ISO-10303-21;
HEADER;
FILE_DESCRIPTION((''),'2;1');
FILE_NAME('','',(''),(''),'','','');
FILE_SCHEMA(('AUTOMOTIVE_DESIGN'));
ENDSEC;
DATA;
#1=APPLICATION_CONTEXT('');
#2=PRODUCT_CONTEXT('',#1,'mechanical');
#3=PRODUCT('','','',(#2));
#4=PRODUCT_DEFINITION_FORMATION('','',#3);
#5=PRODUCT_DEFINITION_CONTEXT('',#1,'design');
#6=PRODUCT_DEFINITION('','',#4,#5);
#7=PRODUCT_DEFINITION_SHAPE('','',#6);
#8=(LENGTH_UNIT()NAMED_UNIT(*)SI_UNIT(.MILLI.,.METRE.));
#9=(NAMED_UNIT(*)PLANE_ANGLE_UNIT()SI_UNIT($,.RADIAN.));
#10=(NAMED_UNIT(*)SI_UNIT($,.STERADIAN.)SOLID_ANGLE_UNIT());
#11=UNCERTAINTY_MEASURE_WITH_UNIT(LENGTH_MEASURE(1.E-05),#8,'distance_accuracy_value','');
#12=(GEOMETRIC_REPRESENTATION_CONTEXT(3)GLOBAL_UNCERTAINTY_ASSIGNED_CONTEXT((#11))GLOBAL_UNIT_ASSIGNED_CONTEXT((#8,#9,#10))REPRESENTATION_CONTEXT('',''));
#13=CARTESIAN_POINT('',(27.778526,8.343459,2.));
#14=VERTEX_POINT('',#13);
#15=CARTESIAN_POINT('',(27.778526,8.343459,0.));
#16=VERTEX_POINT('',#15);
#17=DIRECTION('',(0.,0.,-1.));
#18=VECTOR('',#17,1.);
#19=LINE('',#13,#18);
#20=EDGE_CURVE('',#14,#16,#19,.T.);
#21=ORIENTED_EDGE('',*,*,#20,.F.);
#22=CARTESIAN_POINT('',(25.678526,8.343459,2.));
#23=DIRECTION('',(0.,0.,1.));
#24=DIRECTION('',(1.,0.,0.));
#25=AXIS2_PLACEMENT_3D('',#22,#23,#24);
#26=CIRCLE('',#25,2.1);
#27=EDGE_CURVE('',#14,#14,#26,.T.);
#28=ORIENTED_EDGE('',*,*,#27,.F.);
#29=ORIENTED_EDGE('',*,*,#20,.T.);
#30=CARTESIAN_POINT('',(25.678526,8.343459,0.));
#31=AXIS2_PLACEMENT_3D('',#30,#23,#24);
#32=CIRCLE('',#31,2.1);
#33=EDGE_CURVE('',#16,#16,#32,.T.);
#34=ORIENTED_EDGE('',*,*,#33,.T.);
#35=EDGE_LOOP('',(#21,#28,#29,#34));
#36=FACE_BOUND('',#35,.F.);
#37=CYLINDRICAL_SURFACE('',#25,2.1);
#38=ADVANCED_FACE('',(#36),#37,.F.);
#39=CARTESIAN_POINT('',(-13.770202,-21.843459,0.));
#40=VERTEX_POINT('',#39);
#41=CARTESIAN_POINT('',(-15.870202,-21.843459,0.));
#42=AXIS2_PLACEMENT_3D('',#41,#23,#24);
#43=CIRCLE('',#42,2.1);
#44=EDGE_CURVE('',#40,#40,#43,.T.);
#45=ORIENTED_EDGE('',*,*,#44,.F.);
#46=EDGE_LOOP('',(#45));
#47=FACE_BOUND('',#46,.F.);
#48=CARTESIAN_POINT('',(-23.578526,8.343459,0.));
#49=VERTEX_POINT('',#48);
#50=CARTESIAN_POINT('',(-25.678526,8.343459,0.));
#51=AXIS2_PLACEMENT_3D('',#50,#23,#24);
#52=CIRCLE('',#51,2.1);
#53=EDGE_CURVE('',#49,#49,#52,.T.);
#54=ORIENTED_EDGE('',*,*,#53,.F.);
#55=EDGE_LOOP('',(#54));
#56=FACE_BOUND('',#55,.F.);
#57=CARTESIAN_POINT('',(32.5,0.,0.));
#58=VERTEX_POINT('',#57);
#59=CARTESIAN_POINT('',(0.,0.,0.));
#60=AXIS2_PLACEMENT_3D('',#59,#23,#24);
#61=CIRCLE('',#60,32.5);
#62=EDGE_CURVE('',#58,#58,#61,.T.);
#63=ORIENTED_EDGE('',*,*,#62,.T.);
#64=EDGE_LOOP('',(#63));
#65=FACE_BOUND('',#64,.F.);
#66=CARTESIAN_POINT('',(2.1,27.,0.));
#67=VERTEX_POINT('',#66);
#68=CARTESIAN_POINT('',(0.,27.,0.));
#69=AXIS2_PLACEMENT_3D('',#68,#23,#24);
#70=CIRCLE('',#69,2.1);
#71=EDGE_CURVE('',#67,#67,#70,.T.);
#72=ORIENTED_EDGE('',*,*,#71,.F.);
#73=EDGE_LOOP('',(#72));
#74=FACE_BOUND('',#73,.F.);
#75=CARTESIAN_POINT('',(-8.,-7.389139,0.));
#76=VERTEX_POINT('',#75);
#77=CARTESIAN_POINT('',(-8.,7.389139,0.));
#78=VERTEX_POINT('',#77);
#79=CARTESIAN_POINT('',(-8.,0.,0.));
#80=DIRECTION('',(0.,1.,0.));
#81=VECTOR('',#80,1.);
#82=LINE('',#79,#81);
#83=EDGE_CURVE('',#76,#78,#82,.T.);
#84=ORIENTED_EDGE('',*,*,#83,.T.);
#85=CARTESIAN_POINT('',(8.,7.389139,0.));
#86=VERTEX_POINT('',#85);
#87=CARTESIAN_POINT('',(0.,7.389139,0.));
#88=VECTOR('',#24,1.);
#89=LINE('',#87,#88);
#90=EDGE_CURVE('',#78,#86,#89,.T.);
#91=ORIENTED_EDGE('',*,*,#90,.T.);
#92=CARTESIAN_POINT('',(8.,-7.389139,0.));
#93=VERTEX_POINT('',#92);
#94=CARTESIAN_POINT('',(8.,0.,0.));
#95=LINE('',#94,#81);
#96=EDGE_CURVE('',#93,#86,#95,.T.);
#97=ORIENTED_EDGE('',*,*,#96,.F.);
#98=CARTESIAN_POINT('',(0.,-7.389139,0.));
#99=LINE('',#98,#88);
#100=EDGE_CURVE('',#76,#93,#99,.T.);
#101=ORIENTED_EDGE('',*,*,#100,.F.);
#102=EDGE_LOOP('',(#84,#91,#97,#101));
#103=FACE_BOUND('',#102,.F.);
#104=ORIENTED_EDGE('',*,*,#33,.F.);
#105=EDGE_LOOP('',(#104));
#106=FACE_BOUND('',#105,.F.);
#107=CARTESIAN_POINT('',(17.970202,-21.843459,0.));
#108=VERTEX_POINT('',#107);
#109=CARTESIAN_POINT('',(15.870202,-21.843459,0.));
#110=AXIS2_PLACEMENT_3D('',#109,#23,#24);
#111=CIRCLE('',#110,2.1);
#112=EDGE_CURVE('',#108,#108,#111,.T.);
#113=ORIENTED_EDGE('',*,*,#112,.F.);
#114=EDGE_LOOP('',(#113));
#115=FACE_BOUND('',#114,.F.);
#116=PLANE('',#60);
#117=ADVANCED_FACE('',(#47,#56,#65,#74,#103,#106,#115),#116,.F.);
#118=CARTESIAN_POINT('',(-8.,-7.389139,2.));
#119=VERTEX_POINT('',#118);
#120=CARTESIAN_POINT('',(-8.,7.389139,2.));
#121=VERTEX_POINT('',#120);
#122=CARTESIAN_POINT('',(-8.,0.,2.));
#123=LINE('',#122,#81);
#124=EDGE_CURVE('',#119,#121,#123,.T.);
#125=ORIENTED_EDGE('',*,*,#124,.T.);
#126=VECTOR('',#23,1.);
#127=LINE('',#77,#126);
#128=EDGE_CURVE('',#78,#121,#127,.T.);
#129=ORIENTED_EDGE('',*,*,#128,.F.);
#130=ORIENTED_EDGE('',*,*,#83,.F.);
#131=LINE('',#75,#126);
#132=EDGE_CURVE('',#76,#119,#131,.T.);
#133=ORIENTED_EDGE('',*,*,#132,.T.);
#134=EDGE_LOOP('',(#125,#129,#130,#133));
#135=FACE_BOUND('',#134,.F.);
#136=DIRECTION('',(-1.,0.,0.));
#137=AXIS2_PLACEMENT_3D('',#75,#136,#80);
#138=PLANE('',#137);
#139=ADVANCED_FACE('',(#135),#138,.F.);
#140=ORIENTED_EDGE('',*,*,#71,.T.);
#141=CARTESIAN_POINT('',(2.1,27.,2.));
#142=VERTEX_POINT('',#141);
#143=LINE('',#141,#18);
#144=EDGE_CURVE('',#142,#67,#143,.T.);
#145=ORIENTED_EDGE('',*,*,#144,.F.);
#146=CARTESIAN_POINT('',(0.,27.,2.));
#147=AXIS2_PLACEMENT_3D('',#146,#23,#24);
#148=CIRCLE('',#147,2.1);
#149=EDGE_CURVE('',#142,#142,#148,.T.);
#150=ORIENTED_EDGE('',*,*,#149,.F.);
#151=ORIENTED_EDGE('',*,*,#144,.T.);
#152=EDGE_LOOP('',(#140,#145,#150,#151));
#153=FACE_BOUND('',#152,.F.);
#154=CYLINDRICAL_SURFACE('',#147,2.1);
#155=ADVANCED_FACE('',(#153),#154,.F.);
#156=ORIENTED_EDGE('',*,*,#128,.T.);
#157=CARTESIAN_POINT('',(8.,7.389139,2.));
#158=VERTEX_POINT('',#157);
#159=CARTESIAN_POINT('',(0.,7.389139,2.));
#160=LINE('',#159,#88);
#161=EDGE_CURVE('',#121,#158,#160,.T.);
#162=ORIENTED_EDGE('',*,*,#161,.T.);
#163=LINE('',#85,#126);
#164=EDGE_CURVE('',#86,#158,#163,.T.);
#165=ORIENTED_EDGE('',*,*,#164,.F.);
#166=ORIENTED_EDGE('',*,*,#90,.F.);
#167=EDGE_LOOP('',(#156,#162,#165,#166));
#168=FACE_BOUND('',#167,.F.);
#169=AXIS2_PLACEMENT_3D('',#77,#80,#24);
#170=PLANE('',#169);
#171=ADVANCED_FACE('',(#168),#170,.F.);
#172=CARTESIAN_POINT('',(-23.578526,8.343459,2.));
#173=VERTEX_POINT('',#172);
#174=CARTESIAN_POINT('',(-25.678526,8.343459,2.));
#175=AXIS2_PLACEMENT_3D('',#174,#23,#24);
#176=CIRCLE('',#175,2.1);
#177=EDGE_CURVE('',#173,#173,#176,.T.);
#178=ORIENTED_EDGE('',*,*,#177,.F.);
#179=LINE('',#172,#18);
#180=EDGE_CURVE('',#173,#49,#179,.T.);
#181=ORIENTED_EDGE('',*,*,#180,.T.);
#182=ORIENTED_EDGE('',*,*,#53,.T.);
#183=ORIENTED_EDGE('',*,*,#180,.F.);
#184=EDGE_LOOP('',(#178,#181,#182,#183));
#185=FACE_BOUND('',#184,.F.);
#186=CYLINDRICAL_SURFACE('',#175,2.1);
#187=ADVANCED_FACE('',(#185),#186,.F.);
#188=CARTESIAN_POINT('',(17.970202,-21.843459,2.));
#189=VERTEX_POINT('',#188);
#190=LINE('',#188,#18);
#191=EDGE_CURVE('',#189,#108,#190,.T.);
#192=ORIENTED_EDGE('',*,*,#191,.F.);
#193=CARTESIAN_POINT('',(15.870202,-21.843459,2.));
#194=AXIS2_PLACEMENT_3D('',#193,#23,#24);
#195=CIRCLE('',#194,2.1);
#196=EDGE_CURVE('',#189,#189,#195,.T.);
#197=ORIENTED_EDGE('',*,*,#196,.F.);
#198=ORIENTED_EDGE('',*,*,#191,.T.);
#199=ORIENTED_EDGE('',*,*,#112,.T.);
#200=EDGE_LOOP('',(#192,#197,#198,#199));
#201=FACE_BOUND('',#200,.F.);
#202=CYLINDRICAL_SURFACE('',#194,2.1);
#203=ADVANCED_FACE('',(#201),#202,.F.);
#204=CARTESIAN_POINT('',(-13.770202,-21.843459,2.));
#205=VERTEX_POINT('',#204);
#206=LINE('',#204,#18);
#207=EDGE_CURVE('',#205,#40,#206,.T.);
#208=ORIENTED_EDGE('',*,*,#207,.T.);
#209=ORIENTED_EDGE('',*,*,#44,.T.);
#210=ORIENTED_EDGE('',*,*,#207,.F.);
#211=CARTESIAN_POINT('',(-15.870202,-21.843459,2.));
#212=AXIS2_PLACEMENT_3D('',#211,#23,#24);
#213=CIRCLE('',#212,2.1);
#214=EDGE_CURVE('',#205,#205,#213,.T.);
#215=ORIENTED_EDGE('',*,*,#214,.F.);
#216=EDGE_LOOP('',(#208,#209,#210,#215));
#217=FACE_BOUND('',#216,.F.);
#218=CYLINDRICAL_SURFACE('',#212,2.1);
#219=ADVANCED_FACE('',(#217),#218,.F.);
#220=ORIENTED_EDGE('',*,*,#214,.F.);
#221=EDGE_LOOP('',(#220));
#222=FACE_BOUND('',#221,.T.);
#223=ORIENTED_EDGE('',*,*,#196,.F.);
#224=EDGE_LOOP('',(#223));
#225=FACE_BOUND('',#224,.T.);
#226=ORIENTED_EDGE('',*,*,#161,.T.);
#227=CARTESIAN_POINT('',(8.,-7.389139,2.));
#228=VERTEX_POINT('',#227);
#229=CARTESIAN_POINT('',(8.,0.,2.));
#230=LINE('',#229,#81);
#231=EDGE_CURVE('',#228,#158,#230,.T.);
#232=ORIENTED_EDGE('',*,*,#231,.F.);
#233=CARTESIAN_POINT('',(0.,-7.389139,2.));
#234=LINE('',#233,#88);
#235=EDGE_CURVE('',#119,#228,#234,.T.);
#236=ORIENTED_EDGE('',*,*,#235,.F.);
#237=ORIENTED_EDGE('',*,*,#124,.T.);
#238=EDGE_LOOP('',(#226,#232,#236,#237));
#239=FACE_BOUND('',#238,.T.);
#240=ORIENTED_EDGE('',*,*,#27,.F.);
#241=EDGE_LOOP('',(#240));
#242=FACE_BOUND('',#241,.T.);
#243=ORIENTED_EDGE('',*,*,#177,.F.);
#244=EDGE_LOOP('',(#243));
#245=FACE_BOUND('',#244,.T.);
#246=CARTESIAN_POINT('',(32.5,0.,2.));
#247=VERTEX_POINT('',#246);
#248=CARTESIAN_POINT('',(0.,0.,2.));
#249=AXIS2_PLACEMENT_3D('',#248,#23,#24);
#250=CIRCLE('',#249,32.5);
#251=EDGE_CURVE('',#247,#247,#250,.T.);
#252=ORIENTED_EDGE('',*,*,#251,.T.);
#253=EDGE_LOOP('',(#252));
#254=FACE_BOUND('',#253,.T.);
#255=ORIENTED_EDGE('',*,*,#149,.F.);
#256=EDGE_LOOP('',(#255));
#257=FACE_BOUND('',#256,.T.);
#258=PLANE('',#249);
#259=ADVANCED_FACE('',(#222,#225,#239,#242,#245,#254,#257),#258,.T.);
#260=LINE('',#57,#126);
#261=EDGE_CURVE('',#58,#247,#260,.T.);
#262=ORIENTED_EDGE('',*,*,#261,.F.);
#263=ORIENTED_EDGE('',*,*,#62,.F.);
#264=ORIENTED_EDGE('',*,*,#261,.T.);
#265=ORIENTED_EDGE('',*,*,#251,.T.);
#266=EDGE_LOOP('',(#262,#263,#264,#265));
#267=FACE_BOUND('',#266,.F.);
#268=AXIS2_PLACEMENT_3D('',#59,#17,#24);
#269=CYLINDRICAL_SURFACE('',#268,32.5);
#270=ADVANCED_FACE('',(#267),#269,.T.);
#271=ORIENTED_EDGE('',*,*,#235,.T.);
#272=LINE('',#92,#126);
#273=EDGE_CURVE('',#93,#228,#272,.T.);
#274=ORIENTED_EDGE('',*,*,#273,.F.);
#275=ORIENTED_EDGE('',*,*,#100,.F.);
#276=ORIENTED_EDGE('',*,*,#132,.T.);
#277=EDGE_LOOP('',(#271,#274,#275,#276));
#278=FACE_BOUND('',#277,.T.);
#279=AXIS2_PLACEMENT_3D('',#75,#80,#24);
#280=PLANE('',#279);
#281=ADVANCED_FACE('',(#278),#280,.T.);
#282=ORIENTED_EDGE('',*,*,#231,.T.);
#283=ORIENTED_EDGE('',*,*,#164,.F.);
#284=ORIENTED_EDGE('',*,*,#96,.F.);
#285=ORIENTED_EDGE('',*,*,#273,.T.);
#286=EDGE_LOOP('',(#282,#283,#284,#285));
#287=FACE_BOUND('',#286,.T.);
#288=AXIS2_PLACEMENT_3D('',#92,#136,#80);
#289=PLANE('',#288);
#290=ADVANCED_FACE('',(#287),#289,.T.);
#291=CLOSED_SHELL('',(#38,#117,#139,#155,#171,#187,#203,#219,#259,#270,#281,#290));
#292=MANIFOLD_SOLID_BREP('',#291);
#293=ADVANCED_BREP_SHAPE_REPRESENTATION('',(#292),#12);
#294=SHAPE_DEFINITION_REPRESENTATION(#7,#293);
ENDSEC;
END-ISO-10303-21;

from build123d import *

# Parameters (mm, degrees)
F0_R     = 32.5
F0_W     = 16
F0_H     = 14.778278
F1_DEPTH = 2
F2_R     = 2.1
F3_DEPTH = 2.001


with BuildPart() as f1:
    # F0 (on Top) → F1 (new body)
    with BuildSketch(Plane.XY):
        Circle(F0_R)
        Rectangle(F0_W, F0_H, mode=Mode.SUBTRACT)
    extrude(amount=F1_DEPTH)

    # F2 (on face) → F3 (cut, through all)
    with BuildSketch(Plane.XY.offset(2)):
        with Locations((0, 27)):
            Circle(F2_R)
        with Locations((-25.678526, 8.343459)):
            Circle(F2_R)
        with Locations((-15.870202, -21.843459)):
            Circle(F2_R)
        with Locations((15.870202, -21.843459)):
            Circle(F2_R)
        with Locations((25.678526, 8.343459)):
            Circle(F2_R)
    extrude(amount=-F3_DEPTH, mode=Mode.SUBTRACT)


solid = f1.part
